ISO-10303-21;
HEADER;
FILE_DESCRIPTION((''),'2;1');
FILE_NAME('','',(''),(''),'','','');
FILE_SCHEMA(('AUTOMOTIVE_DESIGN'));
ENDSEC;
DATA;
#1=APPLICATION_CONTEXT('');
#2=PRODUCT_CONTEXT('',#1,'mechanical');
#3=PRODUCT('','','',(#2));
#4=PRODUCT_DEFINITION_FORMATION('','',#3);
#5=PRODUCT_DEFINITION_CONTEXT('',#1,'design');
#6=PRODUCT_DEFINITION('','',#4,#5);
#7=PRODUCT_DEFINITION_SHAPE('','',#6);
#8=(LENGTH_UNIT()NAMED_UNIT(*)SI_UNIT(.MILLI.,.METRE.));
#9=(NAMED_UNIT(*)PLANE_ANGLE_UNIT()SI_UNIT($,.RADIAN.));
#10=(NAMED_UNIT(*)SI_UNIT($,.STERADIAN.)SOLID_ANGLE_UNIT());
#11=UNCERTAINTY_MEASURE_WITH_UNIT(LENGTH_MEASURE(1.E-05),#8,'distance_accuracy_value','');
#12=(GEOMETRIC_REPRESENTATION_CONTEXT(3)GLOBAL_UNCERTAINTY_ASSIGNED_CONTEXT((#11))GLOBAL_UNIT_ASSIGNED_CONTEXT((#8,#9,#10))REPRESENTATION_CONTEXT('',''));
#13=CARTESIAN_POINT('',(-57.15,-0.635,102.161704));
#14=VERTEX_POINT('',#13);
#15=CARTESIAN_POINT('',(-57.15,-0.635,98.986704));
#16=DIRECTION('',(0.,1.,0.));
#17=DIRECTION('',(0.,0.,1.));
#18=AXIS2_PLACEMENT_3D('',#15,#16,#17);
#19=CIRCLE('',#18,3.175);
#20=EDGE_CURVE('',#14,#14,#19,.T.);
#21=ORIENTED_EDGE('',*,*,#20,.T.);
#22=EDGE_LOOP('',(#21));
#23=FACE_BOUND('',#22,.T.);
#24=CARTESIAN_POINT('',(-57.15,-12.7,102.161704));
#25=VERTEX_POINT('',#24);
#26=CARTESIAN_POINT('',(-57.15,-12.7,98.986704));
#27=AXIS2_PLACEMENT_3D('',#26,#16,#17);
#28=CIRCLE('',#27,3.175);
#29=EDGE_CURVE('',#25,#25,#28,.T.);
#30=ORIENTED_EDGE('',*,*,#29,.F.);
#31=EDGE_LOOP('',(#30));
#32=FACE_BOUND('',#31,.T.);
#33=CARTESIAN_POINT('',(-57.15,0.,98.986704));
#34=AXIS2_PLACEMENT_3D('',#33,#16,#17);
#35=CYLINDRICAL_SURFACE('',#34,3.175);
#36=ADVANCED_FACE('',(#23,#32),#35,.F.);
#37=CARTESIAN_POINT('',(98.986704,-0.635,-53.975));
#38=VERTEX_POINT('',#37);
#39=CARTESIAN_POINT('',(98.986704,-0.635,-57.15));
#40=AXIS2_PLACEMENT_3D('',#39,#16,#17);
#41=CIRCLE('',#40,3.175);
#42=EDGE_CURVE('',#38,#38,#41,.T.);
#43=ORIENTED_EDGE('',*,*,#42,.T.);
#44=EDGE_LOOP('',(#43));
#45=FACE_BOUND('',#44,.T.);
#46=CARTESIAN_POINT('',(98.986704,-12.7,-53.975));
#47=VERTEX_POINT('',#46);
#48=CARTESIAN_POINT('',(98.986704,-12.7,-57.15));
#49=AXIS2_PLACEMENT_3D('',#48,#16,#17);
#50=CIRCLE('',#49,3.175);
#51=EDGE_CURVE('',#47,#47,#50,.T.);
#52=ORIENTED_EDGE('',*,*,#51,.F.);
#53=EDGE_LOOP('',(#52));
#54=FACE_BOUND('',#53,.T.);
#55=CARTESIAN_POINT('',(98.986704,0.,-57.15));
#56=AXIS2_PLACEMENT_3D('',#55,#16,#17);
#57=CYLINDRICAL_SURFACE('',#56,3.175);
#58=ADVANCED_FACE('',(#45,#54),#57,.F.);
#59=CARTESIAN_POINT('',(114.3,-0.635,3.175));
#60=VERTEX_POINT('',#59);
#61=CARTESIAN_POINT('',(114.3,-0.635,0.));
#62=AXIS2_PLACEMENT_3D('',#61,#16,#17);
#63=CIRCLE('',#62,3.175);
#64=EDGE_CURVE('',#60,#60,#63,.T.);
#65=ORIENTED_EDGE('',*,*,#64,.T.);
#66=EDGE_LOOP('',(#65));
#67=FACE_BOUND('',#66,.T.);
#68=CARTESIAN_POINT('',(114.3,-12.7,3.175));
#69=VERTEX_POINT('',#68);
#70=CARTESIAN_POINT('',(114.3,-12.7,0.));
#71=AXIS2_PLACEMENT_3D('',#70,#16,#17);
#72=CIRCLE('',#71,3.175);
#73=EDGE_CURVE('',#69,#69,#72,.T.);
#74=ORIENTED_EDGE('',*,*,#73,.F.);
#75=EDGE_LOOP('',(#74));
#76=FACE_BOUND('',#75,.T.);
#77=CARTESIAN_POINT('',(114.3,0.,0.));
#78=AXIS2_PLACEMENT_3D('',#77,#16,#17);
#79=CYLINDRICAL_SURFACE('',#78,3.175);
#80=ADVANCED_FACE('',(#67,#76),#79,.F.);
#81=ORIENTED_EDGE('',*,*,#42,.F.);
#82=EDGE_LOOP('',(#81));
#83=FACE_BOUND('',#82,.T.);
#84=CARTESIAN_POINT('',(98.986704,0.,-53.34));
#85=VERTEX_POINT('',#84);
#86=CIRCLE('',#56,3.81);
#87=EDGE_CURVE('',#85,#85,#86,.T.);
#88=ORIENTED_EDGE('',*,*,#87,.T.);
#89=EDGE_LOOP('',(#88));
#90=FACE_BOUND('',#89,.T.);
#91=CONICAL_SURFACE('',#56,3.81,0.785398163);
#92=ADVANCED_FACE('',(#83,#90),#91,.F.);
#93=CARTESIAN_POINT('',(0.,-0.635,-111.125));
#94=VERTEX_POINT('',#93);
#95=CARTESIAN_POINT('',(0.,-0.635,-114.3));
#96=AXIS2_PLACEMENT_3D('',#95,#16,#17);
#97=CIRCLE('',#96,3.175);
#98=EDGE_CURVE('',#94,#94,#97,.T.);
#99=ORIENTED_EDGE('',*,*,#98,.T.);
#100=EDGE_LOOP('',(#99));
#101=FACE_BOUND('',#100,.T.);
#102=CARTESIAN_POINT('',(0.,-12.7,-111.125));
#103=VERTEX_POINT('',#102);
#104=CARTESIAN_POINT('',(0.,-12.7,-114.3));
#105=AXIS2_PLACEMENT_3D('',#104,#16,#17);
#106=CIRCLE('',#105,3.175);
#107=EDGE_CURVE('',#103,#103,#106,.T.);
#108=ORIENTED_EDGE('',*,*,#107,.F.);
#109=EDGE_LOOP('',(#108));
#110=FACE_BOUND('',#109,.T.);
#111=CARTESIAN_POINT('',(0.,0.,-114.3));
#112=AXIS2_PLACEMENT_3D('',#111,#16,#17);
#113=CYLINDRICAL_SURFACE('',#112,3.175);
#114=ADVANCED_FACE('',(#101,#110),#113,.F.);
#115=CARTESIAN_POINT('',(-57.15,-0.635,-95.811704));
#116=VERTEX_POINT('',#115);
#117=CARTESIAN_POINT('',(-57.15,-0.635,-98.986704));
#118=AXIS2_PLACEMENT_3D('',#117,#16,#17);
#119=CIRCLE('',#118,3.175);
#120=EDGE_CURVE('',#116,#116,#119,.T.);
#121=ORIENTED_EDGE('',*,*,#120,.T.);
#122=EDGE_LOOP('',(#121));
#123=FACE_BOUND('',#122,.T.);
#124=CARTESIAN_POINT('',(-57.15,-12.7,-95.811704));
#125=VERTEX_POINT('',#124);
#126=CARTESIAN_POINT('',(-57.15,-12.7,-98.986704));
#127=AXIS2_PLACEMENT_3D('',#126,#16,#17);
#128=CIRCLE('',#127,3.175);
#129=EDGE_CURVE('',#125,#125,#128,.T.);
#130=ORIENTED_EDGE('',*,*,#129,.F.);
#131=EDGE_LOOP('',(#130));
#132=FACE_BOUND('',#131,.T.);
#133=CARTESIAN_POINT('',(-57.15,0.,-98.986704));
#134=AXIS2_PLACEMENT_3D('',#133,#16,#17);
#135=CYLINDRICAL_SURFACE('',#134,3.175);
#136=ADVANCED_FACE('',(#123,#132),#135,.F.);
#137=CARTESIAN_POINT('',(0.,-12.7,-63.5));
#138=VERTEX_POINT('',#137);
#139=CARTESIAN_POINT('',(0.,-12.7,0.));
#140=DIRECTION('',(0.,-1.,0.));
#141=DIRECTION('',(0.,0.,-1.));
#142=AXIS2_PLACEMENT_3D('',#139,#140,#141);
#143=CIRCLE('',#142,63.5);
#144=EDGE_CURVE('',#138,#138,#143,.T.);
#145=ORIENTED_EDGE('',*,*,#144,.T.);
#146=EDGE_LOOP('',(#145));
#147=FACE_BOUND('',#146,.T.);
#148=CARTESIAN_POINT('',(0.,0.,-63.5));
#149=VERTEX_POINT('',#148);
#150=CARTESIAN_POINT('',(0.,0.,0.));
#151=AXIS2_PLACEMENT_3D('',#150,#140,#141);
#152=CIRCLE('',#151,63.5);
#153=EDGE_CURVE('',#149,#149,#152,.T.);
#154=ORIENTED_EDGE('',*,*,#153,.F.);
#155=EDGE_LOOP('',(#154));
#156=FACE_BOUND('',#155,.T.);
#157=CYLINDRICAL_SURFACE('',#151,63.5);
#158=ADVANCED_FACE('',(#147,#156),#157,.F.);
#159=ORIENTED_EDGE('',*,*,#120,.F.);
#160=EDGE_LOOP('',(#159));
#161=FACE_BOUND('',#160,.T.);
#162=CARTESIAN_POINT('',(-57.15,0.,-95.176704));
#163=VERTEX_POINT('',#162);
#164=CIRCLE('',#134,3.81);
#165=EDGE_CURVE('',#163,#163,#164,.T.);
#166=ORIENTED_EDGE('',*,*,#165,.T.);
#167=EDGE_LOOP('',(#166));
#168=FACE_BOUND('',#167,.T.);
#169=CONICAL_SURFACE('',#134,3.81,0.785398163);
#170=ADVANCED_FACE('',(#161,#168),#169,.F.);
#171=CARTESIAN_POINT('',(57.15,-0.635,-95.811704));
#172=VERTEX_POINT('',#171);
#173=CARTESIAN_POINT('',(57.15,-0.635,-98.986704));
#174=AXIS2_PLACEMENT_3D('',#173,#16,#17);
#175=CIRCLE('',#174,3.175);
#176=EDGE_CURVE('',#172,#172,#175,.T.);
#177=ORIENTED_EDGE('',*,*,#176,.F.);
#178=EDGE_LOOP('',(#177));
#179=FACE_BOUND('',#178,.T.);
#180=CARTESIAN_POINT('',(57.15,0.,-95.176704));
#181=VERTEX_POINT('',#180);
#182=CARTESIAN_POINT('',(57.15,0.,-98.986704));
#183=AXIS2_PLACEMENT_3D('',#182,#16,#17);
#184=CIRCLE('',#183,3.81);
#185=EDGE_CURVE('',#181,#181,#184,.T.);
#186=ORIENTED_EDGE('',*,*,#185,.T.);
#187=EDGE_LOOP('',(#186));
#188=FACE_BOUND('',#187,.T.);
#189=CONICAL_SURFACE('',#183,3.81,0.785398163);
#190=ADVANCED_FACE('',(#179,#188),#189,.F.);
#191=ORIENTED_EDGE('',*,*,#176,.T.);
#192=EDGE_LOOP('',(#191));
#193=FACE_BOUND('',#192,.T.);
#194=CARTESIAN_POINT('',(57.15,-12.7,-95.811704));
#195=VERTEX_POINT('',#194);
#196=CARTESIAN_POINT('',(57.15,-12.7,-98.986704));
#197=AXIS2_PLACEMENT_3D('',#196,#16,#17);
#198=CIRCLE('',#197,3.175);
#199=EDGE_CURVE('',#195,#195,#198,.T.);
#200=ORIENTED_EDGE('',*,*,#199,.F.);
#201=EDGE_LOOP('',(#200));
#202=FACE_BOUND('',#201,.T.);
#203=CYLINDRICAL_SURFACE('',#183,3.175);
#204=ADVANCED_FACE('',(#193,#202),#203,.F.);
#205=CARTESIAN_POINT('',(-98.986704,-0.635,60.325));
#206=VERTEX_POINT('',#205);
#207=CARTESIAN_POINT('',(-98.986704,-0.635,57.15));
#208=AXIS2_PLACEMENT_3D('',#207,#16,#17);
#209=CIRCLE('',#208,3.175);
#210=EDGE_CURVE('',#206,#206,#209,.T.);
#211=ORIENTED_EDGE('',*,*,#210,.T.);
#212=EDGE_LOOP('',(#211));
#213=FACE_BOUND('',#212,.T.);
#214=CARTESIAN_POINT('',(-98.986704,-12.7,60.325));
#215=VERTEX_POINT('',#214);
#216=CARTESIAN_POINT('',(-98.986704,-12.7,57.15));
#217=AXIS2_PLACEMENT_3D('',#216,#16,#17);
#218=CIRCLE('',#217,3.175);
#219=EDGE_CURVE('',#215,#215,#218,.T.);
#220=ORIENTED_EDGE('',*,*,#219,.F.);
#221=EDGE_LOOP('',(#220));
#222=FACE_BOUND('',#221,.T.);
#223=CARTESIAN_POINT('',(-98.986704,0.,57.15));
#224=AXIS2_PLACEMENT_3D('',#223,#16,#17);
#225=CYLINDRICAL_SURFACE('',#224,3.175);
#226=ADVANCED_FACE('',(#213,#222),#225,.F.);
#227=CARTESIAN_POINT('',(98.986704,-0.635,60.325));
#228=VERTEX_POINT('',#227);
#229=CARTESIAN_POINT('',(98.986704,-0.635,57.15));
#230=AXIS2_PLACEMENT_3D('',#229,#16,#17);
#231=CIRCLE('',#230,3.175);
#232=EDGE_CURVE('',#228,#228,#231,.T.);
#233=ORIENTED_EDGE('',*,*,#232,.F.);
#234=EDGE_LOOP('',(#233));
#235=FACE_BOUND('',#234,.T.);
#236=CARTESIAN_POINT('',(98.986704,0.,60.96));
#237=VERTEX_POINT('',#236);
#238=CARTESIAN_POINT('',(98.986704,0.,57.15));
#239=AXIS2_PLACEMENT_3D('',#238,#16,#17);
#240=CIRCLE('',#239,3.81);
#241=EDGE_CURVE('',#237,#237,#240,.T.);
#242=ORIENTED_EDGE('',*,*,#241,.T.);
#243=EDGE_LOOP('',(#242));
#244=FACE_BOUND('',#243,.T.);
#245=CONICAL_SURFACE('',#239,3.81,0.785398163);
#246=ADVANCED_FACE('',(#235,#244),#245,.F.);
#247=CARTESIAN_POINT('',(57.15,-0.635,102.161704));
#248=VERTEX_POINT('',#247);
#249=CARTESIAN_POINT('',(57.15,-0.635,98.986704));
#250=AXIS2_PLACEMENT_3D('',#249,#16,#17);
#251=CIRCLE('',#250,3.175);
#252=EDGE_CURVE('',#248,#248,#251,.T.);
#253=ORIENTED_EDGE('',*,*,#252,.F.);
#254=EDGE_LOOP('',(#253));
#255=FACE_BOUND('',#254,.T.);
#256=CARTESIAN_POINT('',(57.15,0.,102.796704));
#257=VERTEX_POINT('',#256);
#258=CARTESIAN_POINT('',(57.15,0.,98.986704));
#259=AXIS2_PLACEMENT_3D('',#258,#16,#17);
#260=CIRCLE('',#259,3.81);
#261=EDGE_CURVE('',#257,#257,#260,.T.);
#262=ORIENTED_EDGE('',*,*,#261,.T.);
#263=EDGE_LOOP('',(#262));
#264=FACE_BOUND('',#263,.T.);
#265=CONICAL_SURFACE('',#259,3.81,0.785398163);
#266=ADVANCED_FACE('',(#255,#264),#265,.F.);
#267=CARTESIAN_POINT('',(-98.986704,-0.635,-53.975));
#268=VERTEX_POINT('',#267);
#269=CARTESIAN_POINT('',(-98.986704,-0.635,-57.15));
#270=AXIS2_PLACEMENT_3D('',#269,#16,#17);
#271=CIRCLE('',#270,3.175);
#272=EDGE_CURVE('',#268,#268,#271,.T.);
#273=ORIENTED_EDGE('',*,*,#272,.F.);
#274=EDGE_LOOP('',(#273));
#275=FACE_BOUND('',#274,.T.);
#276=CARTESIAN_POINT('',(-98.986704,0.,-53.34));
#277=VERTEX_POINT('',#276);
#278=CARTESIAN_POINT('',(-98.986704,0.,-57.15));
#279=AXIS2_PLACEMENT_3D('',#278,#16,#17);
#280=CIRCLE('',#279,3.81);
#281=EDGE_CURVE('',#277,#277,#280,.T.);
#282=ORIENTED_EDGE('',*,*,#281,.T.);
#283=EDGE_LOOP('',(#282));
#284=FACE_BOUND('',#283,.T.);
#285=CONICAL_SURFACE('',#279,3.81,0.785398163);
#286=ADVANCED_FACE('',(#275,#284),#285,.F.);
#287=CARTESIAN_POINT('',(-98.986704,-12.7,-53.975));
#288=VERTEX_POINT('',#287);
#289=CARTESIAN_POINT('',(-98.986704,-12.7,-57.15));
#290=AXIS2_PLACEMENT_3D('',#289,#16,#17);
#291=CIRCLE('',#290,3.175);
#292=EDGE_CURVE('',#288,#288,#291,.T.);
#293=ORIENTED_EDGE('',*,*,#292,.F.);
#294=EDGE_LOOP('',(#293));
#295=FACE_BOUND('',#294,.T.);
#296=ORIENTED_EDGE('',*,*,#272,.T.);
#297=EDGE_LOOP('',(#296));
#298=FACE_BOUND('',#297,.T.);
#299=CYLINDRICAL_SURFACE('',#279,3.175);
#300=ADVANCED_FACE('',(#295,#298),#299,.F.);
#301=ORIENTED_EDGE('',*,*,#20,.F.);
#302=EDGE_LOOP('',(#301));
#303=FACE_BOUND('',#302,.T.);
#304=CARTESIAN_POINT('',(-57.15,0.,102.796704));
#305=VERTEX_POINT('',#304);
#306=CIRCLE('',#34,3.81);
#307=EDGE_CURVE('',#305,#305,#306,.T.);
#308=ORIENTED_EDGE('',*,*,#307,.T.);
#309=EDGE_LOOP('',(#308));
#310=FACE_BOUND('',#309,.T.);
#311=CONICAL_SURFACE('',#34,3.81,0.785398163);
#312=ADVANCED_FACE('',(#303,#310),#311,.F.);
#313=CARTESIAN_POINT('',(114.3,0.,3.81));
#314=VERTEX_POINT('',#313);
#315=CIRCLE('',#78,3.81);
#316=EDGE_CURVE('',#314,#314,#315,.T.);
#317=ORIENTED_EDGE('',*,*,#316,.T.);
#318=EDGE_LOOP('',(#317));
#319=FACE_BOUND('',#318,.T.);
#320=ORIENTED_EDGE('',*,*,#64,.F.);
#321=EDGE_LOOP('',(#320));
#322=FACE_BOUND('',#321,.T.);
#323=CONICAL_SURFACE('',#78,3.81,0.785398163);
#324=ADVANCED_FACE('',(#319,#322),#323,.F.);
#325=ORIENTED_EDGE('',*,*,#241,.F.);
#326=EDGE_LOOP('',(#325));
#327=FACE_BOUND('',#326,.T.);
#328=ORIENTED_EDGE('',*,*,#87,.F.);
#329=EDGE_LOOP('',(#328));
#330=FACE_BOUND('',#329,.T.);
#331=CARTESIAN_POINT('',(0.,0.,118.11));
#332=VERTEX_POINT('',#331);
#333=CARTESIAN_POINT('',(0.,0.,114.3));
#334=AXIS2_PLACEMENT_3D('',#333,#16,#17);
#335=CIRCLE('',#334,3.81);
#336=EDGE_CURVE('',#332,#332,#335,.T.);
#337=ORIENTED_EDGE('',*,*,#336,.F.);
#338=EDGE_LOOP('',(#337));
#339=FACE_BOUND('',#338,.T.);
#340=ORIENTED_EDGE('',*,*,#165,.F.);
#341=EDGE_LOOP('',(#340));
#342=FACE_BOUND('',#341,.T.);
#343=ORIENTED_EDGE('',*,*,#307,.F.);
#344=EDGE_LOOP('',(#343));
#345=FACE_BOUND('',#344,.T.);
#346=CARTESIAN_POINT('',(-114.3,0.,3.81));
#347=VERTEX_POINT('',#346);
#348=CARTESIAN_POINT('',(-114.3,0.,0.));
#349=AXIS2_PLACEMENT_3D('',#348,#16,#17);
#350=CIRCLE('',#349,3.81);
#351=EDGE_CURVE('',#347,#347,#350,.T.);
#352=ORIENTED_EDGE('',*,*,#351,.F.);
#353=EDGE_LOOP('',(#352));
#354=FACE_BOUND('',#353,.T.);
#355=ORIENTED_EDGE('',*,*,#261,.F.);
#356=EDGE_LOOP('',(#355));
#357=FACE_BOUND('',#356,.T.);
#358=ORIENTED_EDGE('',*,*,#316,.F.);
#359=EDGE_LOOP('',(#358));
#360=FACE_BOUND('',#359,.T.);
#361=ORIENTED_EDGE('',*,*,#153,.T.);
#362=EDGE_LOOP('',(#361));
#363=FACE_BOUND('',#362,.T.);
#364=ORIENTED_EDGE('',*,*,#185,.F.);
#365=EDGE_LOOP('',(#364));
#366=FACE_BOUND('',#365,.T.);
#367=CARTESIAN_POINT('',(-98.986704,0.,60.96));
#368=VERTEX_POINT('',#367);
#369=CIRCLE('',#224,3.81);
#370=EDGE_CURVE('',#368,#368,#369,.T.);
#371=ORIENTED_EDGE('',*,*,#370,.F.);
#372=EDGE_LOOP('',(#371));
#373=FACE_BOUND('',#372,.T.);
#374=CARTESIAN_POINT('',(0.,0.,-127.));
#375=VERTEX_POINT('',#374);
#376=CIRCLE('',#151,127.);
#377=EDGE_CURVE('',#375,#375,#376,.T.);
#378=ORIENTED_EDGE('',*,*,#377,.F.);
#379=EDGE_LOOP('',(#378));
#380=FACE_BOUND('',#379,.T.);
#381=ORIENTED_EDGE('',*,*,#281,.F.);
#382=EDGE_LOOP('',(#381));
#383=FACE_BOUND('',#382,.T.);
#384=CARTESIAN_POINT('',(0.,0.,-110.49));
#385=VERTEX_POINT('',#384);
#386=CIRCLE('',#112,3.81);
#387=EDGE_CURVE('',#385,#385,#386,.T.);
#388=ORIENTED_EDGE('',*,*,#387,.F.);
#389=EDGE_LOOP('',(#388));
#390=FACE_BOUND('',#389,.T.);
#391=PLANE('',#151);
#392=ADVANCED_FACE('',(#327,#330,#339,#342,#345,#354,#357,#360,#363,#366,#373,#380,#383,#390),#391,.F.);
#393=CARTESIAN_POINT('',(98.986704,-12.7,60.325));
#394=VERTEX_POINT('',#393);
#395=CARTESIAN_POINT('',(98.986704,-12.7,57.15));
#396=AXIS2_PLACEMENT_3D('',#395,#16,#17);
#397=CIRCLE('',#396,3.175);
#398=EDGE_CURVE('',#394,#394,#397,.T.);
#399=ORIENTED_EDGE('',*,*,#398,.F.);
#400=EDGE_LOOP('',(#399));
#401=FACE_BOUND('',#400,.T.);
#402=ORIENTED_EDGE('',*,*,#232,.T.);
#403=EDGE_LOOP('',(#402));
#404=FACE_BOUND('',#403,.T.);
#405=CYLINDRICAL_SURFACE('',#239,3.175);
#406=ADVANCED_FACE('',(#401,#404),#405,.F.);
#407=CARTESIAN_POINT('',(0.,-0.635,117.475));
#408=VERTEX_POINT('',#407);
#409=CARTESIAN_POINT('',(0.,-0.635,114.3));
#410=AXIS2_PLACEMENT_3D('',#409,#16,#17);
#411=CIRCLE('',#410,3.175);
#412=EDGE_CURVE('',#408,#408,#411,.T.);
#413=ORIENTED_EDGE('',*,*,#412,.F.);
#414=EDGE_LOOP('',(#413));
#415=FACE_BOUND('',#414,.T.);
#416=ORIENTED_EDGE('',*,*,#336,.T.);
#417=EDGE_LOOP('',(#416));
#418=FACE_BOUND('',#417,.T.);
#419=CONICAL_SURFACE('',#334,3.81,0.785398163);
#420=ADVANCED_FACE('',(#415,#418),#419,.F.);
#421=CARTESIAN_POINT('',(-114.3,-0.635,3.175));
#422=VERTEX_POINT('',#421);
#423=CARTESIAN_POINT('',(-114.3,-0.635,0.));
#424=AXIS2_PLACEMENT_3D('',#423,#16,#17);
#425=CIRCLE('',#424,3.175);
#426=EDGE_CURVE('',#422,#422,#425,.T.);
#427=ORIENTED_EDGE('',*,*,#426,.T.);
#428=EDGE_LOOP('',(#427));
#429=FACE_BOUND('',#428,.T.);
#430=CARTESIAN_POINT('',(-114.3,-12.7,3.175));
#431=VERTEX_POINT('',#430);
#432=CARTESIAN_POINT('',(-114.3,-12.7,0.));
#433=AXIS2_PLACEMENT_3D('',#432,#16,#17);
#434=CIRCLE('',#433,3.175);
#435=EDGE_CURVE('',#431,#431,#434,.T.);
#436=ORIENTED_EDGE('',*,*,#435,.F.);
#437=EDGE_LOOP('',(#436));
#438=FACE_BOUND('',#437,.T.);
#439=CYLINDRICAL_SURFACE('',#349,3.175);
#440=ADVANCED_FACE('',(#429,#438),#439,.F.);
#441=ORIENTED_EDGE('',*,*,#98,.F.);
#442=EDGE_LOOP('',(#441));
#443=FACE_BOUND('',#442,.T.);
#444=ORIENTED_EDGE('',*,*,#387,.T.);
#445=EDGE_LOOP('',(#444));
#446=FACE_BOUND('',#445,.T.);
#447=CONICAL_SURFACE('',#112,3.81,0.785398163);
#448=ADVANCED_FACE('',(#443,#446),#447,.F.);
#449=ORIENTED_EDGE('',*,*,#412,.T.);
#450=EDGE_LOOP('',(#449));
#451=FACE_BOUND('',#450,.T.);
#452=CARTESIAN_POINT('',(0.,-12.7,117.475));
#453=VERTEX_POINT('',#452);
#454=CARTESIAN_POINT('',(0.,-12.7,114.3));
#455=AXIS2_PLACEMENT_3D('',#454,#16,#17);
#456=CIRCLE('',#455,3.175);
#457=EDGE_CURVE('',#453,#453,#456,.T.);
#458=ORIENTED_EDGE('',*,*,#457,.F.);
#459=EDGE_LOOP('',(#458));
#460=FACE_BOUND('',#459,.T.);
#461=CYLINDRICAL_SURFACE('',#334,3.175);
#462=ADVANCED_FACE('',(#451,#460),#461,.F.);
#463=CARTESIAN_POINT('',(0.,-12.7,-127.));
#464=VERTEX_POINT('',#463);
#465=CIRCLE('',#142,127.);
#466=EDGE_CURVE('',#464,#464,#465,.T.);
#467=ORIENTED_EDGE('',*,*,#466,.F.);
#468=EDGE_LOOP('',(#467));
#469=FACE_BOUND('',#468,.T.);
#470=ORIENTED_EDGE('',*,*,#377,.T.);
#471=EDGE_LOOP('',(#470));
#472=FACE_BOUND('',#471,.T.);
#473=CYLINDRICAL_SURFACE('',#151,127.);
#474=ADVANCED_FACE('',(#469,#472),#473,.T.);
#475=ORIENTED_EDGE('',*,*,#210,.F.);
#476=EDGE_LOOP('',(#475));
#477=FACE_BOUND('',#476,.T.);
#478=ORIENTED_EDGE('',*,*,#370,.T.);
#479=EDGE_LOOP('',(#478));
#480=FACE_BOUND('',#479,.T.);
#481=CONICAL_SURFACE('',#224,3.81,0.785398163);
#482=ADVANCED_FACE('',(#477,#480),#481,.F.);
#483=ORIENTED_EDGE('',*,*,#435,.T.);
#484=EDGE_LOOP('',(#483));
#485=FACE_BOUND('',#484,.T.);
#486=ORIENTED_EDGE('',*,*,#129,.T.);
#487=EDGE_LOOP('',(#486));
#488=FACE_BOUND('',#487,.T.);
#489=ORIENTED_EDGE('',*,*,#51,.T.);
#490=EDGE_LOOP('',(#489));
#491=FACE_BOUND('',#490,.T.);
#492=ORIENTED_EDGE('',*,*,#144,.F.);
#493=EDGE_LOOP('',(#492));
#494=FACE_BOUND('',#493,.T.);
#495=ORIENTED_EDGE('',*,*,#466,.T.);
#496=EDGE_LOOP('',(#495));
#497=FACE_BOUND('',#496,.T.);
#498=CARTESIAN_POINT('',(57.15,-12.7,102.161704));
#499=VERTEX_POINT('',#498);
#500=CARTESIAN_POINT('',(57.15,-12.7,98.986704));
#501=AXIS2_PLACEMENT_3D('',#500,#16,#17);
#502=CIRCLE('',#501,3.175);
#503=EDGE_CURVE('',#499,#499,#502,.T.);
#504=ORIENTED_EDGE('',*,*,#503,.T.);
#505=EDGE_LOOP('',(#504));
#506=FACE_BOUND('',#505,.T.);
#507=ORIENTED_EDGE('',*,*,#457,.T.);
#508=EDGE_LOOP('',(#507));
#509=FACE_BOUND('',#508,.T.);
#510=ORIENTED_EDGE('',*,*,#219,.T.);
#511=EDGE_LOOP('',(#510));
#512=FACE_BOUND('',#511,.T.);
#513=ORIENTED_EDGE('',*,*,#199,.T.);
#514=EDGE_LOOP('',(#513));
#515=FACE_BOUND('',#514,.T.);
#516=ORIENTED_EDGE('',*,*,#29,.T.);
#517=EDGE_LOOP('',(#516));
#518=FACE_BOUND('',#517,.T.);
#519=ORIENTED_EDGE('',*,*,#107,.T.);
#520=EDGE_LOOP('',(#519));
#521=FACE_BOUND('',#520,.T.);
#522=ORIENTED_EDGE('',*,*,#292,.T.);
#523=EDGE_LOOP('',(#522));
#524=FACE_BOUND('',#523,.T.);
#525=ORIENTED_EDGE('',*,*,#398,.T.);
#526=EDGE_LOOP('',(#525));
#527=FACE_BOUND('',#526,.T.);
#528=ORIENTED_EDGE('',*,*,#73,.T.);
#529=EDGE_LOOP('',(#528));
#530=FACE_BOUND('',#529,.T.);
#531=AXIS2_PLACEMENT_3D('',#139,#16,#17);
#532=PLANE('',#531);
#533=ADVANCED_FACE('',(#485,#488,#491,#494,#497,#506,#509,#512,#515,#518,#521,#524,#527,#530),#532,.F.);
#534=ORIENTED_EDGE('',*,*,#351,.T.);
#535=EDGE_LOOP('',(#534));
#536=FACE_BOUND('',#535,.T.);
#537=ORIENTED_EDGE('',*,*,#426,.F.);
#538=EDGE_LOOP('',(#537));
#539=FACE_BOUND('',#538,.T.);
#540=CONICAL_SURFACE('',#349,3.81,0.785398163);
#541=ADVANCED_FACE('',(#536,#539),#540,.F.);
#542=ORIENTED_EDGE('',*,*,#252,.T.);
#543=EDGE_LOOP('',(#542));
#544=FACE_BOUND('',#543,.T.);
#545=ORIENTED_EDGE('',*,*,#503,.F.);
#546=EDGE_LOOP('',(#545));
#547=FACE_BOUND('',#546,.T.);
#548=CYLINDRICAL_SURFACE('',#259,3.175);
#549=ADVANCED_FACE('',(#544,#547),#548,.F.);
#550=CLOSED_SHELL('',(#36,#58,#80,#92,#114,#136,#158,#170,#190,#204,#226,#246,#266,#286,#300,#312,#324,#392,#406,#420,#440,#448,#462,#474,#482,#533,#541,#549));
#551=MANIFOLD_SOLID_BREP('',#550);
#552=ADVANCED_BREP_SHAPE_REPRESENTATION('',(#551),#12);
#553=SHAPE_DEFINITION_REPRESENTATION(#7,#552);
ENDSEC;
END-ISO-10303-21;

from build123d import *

# Parameters (mm, degrees)
SKETCH1_W                             = 63.5
SKETCH1_H                             = 12.7
F_1_4_0_25_DIAMETER_HOLE1_D           = 6.35
F_1_4_0_25_DIAMETER_HOLE1_CSINK_D     = 7.62
F_1_4_0_25_DIAMETER_HOLE1_CSINK_ANGLE = 90
CIRPATTERN1_COUNT                     = 12


with BuildPart() as part:
    # Sketch1 → Revolve1 (revolve)
    with BuildSketch(Plane.XY):
        with Locations((-95.25, -6.35)):
            Rectangle(SKETCH1_W, SKETCH1_H)
    revolve(axis=Axis((0, 0, 0), (0, 1, 0)))

    # 1/4 (0.25) Diameter Hole1 (through all)
    with Locations(Plane(origin=(114.3, 0, 0), x_dir=(0, 0, 1), z_dir=(0, 1, 0))):
        with Locations((0, 0)):
            f_1_4_0_25_diameter_hole1 = CounterSinkHole(F_1_4_0_25_DIAMETER_HOLE1_D / 2, F_1_4_0_25_DIAMETER_HOLE1_CSINK_D / 2, counter_sink_angle=F_1_4_0_25_DIAMETER_HOLE1_CSINK_ANGLE)

    # CirPattern1: 1/4 (0.25) Diameter Hole1 ×12 about axis
    cirpattern1_axis = Axis((0, 0, 0), (0, 1, 0))
    for i in range(1, CIRPATTERN1_COUNT):
        add(f_1_4_0_25_diameter_hole1.rotate(cirpattern1_axis, i * 360 / CIRPATTERN1_COUNT), mode=Mode.SUBTRACT)


solid = part.part
